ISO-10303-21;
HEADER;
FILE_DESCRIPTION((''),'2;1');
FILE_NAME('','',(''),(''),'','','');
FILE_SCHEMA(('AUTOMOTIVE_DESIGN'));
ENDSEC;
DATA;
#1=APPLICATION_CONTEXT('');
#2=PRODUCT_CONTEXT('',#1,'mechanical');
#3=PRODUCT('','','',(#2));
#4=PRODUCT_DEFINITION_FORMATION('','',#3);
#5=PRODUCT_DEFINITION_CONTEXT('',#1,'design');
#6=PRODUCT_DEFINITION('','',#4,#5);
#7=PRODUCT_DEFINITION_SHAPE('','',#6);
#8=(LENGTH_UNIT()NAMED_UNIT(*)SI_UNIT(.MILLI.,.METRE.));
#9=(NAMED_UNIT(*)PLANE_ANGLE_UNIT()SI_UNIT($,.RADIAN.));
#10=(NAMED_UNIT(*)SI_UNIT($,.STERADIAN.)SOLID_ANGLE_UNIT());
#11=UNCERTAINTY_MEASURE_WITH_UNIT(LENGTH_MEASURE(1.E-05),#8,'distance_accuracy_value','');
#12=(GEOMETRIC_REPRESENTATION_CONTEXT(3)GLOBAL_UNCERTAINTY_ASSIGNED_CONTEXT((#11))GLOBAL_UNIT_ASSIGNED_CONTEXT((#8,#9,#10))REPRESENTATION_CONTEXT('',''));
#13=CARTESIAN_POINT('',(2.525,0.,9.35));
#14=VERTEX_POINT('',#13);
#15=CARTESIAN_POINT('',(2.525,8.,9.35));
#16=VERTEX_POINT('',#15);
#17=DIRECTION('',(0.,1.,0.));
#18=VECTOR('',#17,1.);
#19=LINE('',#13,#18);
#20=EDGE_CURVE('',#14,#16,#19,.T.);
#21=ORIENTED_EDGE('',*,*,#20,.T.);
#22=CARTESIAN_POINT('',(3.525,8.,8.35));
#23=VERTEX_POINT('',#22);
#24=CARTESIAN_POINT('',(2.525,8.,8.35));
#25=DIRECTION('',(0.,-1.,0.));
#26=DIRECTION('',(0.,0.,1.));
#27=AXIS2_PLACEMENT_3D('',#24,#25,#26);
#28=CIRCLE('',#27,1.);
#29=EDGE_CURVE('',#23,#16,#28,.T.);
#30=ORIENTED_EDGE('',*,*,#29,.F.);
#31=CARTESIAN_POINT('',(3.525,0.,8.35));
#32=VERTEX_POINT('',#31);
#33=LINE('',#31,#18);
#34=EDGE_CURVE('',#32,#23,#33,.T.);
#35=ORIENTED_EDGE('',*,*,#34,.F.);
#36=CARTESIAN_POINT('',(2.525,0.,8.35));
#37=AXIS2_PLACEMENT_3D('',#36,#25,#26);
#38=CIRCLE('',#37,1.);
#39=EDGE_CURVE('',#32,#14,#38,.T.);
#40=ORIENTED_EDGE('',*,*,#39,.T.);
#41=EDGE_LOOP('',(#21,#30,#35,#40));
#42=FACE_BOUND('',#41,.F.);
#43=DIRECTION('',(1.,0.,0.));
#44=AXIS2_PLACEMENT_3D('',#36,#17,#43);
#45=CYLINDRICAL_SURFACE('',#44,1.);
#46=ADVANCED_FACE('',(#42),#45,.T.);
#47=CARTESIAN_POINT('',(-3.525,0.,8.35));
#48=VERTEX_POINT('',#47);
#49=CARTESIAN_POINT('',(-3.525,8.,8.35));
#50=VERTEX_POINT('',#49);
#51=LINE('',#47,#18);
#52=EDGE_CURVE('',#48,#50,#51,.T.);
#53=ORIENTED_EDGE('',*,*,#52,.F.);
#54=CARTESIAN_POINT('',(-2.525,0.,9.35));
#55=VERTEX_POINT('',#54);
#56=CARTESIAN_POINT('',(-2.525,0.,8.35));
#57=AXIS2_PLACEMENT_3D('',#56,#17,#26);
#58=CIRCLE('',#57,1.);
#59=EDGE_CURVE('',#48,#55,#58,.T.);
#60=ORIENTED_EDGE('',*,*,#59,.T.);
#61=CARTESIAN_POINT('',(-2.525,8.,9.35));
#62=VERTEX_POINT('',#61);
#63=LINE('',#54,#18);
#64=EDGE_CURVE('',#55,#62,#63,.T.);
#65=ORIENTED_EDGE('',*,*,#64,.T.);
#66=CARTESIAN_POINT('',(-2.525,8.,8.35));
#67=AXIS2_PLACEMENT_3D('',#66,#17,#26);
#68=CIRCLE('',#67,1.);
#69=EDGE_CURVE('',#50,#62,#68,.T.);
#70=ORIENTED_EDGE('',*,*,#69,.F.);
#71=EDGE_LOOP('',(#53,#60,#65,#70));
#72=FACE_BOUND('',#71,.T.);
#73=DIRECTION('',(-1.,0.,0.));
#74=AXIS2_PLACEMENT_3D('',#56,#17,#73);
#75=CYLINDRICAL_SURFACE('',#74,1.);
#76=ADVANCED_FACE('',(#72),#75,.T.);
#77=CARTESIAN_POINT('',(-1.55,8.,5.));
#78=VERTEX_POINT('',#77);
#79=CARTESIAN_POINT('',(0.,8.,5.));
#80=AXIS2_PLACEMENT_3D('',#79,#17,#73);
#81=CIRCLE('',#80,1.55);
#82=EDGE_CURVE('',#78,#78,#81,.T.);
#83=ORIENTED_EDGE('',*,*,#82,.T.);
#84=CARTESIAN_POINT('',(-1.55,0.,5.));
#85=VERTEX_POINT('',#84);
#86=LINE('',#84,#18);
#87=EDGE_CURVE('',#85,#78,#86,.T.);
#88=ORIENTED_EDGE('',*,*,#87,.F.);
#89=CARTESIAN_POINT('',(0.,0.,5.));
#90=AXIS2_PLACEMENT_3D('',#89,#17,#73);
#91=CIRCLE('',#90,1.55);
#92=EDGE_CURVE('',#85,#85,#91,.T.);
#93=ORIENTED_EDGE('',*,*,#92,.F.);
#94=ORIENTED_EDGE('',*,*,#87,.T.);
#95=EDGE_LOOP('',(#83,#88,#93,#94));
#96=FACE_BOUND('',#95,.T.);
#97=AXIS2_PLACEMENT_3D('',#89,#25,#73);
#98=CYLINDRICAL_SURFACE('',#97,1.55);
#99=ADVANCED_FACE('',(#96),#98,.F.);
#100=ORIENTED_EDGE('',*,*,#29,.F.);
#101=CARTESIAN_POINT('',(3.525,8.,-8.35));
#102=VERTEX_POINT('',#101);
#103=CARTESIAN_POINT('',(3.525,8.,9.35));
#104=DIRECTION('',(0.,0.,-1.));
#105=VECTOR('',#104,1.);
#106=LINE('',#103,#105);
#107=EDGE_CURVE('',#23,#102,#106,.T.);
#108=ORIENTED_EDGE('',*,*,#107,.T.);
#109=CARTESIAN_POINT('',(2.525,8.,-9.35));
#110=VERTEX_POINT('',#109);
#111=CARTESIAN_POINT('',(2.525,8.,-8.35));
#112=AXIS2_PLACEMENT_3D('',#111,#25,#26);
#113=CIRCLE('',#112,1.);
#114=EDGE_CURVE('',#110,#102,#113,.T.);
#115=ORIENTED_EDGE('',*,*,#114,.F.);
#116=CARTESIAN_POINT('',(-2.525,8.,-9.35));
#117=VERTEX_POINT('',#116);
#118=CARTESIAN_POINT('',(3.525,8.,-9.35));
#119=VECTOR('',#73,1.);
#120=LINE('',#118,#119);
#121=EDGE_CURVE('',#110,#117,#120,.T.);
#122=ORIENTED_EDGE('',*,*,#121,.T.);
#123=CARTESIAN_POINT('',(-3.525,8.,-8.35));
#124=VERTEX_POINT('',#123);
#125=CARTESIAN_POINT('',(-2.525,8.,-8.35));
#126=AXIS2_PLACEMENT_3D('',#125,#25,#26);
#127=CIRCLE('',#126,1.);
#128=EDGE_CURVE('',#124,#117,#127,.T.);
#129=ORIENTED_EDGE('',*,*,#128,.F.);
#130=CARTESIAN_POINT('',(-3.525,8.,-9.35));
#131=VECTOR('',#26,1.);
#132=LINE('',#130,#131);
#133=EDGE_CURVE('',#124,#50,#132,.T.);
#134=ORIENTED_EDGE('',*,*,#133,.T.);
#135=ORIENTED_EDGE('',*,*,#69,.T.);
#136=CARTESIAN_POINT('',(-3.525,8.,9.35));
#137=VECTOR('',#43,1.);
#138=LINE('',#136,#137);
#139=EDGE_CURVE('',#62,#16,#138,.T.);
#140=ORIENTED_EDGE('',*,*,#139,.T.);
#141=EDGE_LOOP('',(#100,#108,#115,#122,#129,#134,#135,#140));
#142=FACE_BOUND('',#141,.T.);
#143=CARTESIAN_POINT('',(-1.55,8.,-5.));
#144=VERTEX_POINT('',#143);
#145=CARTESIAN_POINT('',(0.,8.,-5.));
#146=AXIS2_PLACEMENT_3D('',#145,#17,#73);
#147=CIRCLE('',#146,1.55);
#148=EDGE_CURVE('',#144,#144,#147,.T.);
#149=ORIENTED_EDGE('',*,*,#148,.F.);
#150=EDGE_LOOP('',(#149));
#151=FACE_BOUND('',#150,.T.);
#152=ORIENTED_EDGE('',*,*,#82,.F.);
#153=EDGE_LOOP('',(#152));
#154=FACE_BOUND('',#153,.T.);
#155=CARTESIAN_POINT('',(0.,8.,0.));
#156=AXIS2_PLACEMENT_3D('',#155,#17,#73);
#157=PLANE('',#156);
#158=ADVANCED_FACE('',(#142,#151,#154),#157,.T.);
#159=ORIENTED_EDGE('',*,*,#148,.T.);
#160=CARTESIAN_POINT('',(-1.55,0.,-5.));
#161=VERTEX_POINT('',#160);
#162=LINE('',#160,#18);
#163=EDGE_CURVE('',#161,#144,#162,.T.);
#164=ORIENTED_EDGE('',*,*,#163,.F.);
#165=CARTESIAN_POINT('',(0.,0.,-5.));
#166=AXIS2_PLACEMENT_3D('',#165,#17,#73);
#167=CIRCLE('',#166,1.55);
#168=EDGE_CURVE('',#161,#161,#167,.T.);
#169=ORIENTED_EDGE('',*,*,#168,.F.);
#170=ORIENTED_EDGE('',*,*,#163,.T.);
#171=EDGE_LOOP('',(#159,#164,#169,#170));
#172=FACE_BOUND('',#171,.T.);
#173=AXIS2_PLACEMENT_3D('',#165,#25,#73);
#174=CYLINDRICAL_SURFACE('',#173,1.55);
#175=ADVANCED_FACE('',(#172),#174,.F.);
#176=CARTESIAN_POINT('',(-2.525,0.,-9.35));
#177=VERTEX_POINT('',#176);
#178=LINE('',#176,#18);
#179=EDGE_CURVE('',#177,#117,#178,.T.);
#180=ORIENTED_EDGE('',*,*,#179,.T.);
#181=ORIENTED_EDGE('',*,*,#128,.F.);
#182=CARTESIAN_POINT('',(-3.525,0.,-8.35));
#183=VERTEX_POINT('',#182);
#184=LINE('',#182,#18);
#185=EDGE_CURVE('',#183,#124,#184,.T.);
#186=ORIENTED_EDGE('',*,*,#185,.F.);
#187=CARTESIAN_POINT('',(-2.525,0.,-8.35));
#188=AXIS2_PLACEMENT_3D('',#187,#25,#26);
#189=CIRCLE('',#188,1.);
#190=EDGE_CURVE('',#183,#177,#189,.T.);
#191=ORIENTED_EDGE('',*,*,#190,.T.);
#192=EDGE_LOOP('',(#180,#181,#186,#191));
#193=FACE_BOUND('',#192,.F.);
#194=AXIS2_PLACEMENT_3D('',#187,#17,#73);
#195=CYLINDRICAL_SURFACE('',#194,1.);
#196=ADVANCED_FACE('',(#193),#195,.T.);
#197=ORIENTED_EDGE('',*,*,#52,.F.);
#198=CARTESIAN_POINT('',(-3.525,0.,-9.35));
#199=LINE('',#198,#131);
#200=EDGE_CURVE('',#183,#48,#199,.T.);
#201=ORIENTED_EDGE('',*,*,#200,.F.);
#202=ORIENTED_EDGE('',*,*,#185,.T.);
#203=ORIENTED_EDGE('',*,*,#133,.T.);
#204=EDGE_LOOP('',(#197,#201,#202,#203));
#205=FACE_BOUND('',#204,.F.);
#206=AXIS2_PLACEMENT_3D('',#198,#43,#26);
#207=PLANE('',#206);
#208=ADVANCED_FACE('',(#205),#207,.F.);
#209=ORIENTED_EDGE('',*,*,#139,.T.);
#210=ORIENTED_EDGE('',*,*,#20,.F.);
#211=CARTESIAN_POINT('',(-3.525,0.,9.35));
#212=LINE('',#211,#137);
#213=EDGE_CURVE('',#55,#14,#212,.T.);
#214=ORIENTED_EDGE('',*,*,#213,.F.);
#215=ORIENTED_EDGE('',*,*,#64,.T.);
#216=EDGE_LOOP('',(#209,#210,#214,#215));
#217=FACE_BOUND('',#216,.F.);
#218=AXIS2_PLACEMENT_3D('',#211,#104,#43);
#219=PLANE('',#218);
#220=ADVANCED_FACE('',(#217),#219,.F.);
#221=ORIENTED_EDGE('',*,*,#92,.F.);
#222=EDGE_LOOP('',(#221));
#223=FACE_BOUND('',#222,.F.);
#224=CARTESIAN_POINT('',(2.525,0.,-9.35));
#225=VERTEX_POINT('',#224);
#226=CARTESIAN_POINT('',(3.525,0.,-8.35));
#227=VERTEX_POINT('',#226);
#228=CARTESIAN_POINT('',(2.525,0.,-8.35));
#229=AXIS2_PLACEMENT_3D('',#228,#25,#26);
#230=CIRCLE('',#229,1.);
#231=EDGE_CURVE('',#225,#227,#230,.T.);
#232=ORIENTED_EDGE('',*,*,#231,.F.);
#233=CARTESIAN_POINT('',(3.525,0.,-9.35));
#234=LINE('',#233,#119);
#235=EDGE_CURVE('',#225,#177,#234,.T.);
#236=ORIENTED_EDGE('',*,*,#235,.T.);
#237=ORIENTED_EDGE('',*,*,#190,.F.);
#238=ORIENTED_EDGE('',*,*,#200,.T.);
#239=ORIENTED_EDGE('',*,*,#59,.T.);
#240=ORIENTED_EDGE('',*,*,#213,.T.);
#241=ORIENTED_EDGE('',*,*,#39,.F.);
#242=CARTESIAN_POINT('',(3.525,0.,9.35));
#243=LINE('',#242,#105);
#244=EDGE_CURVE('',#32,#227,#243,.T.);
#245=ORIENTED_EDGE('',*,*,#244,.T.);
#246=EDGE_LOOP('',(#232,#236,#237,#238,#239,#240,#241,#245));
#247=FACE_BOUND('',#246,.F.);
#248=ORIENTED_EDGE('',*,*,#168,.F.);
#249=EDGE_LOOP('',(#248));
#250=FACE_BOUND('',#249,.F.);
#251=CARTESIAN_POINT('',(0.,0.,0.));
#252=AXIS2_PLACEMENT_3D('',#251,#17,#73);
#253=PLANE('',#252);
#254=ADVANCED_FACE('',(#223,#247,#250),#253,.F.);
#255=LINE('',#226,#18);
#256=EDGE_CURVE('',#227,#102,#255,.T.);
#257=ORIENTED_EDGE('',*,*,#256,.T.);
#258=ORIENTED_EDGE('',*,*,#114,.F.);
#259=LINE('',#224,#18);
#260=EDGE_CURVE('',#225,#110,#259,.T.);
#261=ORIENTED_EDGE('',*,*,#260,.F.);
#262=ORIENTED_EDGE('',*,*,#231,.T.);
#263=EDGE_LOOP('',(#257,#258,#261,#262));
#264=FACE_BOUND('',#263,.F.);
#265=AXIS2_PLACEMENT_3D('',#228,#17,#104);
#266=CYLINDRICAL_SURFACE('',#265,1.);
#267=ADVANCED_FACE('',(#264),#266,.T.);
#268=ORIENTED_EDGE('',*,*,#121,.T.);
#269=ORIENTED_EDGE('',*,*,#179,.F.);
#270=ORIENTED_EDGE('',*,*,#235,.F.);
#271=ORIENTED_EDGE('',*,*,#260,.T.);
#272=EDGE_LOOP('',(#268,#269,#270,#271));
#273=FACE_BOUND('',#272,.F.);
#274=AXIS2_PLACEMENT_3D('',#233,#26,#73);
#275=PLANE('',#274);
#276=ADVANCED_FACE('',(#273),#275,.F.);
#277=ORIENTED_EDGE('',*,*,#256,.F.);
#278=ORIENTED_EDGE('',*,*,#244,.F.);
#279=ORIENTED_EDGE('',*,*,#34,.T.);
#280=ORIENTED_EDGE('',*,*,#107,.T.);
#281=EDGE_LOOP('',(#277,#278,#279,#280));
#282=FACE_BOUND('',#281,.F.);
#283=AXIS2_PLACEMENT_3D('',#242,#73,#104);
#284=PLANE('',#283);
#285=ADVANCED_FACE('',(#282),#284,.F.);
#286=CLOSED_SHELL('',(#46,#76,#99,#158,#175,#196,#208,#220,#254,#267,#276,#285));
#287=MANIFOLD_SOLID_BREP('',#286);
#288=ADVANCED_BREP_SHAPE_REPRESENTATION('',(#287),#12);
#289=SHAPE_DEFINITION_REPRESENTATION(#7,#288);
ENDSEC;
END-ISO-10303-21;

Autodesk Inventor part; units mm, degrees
ref_plane "YZ Plane" through (0, 0, 0) normal (1, 0, 0) x (0, 1, 0)
ref_plane "XZ Plane" through (0, 0, 0) normal (0, 1, 0) x (-1, 0, 0)
ref_plane "XY Plane" through (0, 0, 0) normal (0, 0, 1) x (1, 0, 0)
sketch "Эскиз1" plane through (0, 0, 0) normal (0, 1, 0) x (-1, 0, 0)
  circle A0 centre (0, -5) radius 1.55
  circle A1 centre (0, 5) radius 1.55
  line L0 (0, 5) -> (0, -5) construction
  line L1 (3.525, 9.35) -> (-3.525, 9.35)
  line L2 (-3.525, 9.35) -> (-3.525, -9.35)
  line L3 (-3.525, -9.35) -> (3.525, -9.35)
  line L4 (3.525, -9.35) -> (3.525, 9.35)
  line L5 (3.525, 9.35) -> (-3.525, -9.35) construction
  line L6 (-3.525, 9.35) -> (3.525, -9.35) construction
  point P0 (0, 0)
  point P1 (0, 0)
  dimension "d2" = 3.1
  dimension "d3" = 3.1
  dimension "d4" = 10
  dimension "d5" = 7.05
  dimension "d6" = 18.7
extrude "Выдавливание1" add sketch "Эскиз1" along normal blind 8
fillet "Сопряжение1" radius 1 4 edges at (-3.525, 4, 9.35) (3.525, 4, 9.35) (3.525, 4, -9.35) (-3.525, 4, -9.35)
properties part number "креп_сервы"
